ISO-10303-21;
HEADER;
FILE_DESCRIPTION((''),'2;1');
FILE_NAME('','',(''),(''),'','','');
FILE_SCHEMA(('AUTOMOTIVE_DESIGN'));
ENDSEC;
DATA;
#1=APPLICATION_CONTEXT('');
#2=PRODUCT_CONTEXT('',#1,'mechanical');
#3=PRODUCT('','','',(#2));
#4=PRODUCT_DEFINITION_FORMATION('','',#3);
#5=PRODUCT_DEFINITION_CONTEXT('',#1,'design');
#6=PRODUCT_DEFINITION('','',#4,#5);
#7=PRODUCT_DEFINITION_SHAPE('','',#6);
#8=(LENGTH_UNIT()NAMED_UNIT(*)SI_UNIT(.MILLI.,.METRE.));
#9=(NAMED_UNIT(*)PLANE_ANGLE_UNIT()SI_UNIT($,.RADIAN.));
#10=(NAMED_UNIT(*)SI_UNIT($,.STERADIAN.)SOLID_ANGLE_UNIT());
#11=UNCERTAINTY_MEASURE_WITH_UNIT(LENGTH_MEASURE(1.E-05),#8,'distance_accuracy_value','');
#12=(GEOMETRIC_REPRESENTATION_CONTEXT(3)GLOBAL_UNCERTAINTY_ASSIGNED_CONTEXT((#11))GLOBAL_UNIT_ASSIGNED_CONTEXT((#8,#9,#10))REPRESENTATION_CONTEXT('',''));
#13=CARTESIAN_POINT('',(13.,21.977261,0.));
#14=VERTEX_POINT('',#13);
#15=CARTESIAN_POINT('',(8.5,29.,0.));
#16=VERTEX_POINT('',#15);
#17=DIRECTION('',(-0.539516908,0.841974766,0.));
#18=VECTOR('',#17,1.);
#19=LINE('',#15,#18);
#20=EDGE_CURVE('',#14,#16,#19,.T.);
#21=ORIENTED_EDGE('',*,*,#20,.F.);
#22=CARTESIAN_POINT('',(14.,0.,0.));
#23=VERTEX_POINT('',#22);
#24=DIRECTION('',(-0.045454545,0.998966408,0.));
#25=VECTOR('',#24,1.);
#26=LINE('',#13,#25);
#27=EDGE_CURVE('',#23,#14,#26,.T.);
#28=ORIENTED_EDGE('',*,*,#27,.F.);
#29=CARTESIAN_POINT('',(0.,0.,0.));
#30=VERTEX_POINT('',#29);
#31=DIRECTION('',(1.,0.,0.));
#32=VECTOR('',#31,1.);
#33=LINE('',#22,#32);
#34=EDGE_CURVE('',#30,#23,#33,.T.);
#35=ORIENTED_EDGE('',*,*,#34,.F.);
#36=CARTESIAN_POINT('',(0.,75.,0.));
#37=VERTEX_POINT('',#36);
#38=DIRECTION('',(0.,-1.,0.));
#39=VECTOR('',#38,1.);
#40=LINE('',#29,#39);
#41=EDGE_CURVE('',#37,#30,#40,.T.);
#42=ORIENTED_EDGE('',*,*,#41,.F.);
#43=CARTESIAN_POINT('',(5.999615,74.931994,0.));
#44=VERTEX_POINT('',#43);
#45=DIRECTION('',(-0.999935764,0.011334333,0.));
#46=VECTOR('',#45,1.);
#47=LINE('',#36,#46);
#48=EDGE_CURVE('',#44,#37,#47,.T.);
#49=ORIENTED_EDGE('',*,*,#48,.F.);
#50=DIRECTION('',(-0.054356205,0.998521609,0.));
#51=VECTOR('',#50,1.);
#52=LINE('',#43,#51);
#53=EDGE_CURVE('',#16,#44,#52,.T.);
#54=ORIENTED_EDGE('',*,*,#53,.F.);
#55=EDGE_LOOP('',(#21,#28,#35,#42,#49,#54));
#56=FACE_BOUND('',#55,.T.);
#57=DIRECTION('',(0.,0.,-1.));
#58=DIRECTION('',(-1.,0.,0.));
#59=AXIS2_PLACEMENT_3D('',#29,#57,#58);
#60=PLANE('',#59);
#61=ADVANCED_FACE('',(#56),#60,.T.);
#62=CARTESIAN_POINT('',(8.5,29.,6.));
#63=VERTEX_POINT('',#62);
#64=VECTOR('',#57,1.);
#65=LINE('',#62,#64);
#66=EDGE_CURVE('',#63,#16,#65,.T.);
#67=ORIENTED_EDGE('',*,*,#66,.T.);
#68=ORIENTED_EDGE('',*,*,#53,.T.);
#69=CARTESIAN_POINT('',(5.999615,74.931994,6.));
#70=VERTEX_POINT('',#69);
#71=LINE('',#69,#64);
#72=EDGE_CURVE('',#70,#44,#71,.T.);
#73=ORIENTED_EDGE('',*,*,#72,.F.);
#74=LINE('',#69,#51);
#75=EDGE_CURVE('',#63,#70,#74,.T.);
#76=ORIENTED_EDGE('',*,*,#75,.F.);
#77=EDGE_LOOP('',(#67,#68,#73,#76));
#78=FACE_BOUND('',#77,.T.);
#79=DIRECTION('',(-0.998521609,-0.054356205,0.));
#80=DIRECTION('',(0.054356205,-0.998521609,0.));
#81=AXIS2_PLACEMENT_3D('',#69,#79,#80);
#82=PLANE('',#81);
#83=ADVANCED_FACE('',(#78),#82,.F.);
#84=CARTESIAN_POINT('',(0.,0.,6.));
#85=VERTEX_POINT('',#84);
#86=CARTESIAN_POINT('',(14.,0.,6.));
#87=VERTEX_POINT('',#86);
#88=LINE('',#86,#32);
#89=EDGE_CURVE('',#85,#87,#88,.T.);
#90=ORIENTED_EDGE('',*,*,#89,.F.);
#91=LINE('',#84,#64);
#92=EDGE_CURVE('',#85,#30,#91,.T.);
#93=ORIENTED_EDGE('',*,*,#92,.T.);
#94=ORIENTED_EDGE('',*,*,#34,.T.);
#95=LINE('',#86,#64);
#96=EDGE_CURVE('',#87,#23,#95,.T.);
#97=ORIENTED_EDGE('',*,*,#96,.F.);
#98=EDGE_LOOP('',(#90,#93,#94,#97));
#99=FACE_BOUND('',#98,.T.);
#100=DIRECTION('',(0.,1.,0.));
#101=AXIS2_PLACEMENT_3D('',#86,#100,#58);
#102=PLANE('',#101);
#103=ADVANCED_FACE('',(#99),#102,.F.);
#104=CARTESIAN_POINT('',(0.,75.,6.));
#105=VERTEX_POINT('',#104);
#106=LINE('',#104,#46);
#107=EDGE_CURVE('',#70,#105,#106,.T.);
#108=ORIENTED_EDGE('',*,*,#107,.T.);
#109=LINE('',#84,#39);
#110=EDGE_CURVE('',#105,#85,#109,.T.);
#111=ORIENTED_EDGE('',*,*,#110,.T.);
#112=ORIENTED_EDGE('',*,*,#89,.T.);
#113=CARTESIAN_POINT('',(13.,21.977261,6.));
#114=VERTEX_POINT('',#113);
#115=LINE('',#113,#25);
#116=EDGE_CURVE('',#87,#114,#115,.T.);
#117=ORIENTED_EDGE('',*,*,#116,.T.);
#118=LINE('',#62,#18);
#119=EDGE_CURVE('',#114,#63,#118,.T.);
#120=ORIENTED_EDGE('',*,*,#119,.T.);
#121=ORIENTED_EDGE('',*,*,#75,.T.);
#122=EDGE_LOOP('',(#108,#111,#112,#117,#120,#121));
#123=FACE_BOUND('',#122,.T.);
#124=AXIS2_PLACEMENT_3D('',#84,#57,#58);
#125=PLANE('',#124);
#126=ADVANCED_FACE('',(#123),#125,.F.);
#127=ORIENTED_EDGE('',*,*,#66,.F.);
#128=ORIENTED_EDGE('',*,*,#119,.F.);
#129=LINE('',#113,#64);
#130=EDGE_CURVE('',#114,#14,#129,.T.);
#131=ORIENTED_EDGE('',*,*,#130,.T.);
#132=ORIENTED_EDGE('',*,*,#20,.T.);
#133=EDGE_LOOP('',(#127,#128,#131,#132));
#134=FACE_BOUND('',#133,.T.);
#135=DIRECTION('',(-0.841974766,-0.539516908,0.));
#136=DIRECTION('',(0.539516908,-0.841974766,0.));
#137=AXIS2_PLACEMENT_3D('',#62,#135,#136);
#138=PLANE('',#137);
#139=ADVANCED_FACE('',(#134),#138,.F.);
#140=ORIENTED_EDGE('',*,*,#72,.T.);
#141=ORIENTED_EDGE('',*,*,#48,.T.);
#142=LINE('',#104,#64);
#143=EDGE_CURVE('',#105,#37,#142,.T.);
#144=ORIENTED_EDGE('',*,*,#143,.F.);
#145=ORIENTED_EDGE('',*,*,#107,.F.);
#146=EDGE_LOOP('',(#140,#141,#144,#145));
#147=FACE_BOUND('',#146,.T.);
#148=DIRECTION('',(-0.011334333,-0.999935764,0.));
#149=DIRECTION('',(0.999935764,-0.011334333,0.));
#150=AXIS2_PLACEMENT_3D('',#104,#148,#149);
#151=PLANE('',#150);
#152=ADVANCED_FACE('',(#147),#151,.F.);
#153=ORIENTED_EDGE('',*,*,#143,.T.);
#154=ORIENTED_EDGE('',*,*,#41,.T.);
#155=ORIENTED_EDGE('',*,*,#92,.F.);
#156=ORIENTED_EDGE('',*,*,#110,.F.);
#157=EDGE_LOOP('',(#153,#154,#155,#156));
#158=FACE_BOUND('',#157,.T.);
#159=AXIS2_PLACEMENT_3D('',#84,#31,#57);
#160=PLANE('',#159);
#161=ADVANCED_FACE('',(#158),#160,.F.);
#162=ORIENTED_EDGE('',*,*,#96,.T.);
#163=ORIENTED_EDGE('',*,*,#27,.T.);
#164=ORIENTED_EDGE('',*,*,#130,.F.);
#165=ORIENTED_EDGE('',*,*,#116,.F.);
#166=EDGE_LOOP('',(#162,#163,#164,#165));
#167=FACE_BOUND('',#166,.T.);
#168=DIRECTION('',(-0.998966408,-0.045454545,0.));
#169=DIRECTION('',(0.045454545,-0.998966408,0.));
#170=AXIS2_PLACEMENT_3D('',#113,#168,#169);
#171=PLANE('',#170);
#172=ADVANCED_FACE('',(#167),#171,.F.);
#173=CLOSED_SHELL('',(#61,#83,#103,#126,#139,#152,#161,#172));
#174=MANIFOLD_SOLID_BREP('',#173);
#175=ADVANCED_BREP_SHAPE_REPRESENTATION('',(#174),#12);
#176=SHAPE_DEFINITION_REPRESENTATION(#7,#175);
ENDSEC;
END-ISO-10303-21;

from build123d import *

# Parameters (mm, degrees)
BOSS_EXTRUDE1_DEPTH = 6


with BuildPart() as part:
    # Sketch1 → Boss-Extrude1 (new body)
    with BuildSketch(Plane.XY):
        Polygon((0, 0), (0, 75), (5.999614586, 74.931994), (8.5, 29), (13, 21.977260976), (14, 0), align=None)
    extrude(amount=BOSS_EXTRUDE1_DEPTH)


solid = part.part
